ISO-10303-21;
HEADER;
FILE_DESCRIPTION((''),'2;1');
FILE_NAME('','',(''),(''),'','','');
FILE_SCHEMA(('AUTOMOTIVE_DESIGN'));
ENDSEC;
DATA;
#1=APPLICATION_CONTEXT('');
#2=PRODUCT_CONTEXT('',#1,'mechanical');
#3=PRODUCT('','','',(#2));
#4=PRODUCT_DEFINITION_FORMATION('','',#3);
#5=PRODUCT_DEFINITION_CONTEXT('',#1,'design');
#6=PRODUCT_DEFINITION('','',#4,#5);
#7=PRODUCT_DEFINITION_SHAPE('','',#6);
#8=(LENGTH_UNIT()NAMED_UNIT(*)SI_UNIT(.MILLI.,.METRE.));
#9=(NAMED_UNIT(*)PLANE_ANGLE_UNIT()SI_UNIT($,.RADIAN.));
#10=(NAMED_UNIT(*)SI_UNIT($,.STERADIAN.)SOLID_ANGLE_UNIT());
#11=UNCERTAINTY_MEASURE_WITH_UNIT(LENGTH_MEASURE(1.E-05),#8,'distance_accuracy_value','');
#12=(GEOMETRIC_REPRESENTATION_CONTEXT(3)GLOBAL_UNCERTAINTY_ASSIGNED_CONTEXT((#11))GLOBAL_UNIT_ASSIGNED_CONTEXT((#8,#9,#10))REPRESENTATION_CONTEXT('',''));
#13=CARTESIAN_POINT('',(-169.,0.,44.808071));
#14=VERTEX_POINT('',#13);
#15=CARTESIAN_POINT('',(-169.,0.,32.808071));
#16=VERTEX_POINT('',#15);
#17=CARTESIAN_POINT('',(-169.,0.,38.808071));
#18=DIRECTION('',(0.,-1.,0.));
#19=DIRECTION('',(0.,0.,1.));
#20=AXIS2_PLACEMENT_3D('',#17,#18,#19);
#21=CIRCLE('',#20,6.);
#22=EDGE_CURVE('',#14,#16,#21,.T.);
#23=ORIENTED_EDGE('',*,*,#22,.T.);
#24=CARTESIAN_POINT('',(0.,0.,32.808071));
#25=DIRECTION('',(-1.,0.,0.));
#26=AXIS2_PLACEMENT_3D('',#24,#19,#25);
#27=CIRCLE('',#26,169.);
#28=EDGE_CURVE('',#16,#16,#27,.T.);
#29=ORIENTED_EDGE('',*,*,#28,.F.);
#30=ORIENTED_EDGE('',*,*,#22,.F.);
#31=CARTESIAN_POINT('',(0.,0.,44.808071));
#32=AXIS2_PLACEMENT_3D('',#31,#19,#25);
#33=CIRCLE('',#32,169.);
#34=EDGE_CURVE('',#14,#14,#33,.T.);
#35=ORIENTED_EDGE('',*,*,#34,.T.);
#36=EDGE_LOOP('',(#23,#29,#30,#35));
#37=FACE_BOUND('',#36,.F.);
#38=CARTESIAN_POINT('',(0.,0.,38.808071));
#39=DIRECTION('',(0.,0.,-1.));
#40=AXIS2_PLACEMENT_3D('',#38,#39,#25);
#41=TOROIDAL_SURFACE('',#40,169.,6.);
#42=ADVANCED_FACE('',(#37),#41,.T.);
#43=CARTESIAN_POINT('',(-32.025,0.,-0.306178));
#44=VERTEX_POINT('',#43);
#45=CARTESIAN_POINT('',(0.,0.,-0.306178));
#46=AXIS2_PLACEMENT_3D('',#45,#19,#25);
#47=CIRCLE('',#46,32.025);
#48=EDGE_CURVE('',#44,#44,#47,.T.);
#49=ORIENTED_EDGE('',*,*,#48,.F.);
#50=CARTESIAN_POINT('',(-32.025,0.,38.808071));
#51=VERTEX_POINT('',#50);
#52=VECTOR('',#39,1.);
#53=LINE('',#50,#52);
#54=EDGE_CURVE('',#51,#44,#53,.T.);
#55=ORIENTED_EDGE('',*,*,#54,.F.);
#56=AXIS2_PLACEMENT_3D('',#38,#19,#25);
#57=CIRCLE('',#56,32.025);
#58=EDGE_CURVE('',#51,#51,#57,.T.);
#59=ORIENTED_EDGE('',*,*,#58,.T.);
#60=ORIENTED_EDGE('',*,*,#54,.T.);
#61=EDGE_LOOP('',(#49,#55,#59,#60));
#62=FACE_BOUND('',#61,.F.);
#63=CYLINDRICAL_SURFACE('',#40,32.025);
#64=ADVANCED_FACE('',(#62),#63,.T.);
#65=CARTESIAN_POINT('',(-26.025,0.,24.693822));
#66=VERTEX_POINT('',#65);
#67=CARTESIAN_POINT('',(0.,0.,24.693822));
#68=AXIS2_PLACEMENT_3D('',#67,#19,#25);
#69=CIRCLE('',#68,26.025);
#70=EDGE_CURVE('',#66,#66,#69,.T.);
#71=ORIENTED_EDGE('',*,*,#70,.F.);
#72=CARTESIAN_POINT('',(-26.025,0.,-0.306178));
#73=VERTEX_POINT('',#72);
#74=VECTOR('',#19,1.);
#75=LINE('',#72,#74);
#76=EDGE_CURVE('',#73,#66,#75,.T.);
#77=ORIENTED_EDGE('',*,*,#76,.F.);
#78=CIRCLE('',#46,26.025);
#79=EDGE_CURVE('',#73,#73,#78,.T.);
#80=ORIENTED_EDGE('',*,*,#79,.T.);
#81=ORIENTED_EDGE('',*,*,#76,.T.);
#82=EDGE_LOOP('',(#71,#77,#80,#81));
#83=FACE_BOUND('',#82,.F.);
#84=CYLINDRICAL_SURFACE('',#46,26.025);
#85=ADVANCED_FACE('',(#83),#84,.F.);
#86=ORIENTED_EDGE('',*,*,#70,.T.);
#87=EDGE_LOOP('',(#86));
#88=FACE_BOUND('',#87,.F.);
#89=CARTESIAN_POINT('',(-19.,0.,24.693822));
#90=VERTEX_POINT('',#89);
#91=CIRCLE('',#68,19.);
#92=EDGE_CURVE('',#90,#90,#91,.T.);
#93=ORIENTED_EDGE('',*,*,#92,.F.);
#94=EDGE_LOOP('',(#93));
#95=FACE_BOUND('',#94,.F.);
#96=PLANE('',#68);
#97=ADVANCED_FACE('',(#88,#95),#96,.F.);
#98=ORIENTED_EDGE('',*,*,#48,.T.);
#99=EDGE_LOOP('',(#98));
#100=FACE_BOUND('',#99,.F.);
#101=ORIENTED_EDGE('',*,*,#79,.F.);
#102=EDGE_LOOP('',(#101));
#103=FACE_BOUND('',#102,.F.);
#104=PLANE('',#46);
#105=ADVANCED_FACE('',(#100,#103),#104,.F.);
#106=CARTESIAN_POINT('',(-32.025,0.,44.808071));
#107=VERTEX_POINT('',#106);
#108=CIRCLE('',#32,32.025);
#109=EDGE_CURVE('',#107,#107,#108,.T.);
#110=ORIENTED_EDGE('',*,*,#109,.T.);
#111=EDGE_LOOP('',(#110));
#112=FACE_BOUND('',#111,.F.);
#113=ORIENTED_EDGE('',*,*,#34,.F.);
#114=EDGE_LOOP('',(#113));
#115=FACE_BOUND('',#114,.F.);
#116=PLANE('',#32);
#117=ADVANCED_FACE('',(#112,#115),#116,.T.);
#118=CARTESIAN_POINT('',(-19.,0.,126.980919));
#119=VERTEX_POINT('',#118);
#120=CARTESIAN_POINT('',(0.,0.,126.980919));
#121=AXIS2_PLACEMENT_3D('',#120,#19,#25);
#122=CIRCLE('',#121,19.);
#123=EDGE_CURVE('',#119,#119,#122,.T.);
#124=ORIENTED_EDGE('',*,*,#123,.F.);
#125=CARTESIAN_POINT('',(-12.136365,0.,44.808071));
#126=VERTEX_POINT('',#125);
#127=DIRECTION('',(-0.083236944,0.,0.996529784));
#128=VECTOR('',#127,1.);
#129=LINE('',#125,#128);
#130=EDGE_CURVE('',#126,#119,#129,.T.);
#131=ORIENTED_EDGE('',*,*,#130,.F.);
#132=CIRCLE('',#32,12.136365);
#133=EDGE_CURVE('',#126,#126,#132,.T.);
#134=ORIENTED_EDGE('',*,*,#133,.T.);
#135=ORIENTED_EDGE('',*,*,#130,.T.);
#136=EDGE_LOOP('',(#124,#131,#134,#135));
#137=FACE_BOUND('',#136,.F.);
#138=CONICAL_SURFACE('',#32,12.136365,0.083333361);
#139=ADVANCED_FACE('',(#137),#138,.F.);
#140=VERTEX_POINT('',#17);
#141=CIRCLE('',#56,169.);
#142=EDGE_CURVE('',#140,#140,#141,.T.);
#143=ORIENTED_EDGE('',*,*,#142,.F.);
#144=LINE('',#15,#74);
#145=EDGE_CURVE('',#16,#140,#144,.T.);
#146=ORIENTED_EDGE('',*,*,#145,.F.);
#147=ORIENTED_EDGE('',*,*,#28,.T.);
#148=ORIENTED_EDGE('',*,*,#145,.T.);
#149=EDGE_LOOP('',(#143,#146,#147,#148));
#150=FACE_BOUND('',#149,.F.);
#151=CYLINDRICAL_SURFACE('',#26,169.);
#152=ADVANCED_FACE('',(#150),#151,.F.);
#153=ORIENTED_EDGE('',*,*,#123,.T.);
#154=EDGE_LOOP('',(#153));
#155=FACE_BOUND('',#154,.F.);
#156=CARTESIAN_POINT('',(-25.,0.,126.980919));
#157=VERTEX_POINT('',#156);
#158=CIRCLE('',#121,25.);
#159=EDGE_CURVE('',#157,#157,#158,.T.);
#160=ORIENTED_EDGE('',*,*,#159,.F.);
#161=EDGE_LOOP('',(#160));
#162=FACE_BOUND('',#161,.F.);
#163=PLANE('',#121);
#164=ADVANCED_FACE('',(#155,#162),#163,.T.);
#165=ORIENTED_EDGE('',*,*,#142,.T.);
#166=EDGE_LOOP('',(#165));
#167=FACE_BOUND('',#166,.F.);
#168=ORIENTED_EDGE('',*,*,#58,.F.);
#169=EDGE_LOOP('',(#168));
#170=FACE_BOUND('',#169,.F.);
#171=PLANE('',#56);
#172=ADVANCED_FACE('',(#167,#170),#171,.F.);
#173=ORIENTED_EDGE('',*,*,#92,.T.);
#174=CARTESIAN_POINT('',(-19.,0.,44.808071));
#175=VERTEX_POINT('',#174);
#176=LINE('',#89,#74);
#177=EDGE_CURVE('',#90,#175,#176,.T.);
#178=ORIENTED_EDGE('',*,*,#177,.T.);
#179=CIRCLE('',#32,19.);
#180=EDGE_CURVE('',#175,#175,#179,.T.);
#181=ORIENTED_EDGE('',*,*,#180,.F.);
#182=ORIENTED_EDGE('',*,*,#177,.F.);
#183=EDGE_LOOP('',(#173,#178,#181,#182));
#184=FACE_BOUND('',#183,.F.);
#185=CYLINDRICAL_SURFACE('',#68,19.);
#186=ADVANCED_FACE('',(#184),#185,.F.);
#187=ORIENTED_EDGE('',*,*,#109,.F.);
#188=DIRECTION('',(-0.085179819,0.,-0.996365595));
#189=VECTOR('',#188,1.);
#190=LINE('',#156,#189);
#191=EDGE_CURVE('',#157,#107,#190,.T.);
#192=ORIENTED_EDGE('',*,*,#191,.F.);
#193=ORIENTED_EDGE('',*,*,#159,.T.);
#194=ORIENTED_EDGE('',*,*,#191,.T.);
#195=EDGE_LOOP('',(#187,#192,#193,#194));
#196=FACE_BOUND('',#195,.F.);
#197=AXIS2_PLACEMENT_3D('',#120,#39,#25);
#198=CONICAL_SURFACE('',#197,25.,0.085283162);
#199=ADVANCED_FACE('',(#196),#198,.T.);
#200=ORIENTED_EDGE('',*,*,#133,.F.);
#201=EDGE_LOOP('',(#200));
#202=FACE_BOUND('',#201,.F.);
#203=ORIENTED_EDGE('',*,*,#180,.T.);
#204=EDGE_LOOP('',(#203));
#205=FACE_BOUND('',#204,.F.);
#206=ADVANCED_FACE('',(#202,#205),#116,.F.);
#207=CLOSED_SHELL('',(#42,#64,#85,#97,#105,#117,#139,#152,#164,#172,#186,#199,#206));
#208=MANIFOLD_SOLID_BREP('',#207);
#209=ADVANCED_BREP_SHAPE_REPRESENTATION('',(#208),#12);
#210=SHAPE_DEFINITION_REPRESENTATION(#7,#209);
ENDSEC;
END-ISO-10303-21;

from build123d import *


with BuildPart() as f1:
    # F0 (on Front) → F1 (revolve)
    with BuildSketch(Plane.XZ):
        Polygon((-32.025, -0.306178), (-26.025, -0.306178), (-26.025, 24.693822), (-19, 24.693822), (-19, 44.693822), (-19, 44.808071), (-32.025, 44.808071), (-169, 44.808071), (-169, 38.808071), (-32.025, 38.808071), (-32.025, 24.808071), align=None)
        Polygon((-32.025, 44.808071), (-19, 44.808071), (-12.136365, 44.808071), (-19, 126.980919), (-25, 126.980919), align=None)
        with BuildLine():
            Line((-169, 32.808071), (-169, 38.808071))
            Line((-169, 38.808071), (-169, 44.808071))
            ThreePointArc((-169, 44.808071), (-175, 38.808071), (-169, 32.808071))
        make_face()
    revolve(axis=Axis((0, 0, 64.125952), (0, 0, 1)))


solid = f1.part
